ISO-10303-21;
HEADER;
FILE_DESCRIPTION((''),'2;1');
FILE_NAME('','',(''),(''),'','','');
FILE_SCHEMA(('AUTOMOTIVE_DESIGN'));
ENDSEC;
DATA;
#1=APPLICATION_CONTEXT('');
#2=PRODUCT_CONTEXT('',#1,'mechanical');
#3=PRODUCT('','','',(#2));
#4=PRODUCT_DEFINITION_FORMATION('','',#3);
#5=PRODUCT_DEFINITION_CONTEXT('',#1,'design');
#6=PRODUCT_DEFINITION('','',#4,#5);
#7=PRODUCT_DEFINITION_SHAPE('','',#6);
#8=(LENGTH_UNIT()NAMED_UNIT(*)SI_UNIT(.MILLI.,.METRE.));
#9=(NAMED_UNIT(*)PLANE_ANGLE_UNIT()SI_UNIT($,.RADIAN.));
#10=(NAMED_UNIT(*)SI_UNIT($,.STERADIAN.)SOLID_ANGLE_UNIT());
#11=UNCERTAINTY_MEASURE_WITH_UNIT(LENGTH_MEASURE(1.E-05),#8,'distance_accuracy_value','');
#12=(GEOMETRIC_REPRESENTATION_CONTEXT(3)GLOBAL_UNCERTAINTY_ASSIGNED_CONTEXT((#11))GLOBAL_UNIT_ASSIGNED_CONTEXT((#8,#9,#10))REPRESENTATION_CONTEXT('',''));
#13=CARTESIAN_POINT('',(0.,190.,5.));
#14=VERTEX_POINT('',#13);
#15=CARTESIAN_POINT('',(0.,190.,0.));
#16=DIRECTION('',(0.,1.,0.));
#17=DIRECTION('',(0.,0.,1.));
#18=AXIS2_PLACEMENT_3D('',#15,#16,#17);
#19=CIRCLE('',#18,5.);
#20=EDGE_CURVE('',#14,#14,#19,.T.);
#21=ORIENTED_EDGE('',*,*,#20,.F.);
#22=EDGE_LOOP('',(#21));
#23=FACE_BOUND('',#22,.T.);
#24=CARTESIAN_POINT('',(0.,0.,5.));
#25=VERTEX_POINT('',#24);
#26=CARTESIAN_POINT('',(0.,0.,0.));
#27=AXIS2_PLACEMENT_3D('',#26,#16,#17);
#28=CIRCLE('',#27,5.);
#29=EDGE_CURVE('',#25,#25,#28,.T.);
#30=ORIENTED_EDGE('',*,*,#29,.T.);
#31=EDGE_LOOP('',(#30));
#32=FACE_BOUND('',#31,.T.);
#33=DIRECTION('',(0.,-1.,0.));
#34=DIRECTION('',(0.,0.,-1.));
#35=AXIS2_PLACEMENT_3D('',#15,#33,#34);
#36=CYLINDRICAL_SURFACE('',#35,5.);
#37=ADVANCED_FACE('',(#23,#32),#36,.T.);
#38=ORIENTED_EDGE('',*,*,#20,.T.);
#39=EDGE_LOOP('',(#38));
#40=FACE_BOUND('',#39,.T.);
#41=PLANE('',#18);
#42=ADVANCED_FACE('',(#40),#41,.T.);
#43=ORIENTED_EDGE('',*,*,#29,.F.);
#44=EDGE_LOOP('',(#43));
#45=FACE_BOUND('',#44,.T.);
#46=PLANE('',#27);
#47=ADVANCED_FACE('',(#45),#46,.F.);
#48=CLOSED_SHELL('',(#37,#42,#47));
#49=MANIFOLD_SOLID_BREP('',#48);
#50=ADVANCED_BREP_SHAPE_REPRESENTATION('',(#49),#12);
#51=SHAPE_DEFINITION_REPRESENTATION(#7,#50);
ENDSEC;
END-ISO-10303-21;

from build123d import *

# Parameters (mm, degrees)
SKETCH_1_R      = 5
EXTRUDE_1_DEPTH = 190


with BuildPart() as part:
    # 草图1 → 凸台-拉伸1 (new body)
    with BuildSketch(Plane(origin=(0, 0, 0), x_dir=(1, 0, 0), z_dir=(0, 1, 0))):
        Circle(SKETCH_1_R)
    extrude(amount=EXTRUDE_1_DEPTH)


solid = part.part
